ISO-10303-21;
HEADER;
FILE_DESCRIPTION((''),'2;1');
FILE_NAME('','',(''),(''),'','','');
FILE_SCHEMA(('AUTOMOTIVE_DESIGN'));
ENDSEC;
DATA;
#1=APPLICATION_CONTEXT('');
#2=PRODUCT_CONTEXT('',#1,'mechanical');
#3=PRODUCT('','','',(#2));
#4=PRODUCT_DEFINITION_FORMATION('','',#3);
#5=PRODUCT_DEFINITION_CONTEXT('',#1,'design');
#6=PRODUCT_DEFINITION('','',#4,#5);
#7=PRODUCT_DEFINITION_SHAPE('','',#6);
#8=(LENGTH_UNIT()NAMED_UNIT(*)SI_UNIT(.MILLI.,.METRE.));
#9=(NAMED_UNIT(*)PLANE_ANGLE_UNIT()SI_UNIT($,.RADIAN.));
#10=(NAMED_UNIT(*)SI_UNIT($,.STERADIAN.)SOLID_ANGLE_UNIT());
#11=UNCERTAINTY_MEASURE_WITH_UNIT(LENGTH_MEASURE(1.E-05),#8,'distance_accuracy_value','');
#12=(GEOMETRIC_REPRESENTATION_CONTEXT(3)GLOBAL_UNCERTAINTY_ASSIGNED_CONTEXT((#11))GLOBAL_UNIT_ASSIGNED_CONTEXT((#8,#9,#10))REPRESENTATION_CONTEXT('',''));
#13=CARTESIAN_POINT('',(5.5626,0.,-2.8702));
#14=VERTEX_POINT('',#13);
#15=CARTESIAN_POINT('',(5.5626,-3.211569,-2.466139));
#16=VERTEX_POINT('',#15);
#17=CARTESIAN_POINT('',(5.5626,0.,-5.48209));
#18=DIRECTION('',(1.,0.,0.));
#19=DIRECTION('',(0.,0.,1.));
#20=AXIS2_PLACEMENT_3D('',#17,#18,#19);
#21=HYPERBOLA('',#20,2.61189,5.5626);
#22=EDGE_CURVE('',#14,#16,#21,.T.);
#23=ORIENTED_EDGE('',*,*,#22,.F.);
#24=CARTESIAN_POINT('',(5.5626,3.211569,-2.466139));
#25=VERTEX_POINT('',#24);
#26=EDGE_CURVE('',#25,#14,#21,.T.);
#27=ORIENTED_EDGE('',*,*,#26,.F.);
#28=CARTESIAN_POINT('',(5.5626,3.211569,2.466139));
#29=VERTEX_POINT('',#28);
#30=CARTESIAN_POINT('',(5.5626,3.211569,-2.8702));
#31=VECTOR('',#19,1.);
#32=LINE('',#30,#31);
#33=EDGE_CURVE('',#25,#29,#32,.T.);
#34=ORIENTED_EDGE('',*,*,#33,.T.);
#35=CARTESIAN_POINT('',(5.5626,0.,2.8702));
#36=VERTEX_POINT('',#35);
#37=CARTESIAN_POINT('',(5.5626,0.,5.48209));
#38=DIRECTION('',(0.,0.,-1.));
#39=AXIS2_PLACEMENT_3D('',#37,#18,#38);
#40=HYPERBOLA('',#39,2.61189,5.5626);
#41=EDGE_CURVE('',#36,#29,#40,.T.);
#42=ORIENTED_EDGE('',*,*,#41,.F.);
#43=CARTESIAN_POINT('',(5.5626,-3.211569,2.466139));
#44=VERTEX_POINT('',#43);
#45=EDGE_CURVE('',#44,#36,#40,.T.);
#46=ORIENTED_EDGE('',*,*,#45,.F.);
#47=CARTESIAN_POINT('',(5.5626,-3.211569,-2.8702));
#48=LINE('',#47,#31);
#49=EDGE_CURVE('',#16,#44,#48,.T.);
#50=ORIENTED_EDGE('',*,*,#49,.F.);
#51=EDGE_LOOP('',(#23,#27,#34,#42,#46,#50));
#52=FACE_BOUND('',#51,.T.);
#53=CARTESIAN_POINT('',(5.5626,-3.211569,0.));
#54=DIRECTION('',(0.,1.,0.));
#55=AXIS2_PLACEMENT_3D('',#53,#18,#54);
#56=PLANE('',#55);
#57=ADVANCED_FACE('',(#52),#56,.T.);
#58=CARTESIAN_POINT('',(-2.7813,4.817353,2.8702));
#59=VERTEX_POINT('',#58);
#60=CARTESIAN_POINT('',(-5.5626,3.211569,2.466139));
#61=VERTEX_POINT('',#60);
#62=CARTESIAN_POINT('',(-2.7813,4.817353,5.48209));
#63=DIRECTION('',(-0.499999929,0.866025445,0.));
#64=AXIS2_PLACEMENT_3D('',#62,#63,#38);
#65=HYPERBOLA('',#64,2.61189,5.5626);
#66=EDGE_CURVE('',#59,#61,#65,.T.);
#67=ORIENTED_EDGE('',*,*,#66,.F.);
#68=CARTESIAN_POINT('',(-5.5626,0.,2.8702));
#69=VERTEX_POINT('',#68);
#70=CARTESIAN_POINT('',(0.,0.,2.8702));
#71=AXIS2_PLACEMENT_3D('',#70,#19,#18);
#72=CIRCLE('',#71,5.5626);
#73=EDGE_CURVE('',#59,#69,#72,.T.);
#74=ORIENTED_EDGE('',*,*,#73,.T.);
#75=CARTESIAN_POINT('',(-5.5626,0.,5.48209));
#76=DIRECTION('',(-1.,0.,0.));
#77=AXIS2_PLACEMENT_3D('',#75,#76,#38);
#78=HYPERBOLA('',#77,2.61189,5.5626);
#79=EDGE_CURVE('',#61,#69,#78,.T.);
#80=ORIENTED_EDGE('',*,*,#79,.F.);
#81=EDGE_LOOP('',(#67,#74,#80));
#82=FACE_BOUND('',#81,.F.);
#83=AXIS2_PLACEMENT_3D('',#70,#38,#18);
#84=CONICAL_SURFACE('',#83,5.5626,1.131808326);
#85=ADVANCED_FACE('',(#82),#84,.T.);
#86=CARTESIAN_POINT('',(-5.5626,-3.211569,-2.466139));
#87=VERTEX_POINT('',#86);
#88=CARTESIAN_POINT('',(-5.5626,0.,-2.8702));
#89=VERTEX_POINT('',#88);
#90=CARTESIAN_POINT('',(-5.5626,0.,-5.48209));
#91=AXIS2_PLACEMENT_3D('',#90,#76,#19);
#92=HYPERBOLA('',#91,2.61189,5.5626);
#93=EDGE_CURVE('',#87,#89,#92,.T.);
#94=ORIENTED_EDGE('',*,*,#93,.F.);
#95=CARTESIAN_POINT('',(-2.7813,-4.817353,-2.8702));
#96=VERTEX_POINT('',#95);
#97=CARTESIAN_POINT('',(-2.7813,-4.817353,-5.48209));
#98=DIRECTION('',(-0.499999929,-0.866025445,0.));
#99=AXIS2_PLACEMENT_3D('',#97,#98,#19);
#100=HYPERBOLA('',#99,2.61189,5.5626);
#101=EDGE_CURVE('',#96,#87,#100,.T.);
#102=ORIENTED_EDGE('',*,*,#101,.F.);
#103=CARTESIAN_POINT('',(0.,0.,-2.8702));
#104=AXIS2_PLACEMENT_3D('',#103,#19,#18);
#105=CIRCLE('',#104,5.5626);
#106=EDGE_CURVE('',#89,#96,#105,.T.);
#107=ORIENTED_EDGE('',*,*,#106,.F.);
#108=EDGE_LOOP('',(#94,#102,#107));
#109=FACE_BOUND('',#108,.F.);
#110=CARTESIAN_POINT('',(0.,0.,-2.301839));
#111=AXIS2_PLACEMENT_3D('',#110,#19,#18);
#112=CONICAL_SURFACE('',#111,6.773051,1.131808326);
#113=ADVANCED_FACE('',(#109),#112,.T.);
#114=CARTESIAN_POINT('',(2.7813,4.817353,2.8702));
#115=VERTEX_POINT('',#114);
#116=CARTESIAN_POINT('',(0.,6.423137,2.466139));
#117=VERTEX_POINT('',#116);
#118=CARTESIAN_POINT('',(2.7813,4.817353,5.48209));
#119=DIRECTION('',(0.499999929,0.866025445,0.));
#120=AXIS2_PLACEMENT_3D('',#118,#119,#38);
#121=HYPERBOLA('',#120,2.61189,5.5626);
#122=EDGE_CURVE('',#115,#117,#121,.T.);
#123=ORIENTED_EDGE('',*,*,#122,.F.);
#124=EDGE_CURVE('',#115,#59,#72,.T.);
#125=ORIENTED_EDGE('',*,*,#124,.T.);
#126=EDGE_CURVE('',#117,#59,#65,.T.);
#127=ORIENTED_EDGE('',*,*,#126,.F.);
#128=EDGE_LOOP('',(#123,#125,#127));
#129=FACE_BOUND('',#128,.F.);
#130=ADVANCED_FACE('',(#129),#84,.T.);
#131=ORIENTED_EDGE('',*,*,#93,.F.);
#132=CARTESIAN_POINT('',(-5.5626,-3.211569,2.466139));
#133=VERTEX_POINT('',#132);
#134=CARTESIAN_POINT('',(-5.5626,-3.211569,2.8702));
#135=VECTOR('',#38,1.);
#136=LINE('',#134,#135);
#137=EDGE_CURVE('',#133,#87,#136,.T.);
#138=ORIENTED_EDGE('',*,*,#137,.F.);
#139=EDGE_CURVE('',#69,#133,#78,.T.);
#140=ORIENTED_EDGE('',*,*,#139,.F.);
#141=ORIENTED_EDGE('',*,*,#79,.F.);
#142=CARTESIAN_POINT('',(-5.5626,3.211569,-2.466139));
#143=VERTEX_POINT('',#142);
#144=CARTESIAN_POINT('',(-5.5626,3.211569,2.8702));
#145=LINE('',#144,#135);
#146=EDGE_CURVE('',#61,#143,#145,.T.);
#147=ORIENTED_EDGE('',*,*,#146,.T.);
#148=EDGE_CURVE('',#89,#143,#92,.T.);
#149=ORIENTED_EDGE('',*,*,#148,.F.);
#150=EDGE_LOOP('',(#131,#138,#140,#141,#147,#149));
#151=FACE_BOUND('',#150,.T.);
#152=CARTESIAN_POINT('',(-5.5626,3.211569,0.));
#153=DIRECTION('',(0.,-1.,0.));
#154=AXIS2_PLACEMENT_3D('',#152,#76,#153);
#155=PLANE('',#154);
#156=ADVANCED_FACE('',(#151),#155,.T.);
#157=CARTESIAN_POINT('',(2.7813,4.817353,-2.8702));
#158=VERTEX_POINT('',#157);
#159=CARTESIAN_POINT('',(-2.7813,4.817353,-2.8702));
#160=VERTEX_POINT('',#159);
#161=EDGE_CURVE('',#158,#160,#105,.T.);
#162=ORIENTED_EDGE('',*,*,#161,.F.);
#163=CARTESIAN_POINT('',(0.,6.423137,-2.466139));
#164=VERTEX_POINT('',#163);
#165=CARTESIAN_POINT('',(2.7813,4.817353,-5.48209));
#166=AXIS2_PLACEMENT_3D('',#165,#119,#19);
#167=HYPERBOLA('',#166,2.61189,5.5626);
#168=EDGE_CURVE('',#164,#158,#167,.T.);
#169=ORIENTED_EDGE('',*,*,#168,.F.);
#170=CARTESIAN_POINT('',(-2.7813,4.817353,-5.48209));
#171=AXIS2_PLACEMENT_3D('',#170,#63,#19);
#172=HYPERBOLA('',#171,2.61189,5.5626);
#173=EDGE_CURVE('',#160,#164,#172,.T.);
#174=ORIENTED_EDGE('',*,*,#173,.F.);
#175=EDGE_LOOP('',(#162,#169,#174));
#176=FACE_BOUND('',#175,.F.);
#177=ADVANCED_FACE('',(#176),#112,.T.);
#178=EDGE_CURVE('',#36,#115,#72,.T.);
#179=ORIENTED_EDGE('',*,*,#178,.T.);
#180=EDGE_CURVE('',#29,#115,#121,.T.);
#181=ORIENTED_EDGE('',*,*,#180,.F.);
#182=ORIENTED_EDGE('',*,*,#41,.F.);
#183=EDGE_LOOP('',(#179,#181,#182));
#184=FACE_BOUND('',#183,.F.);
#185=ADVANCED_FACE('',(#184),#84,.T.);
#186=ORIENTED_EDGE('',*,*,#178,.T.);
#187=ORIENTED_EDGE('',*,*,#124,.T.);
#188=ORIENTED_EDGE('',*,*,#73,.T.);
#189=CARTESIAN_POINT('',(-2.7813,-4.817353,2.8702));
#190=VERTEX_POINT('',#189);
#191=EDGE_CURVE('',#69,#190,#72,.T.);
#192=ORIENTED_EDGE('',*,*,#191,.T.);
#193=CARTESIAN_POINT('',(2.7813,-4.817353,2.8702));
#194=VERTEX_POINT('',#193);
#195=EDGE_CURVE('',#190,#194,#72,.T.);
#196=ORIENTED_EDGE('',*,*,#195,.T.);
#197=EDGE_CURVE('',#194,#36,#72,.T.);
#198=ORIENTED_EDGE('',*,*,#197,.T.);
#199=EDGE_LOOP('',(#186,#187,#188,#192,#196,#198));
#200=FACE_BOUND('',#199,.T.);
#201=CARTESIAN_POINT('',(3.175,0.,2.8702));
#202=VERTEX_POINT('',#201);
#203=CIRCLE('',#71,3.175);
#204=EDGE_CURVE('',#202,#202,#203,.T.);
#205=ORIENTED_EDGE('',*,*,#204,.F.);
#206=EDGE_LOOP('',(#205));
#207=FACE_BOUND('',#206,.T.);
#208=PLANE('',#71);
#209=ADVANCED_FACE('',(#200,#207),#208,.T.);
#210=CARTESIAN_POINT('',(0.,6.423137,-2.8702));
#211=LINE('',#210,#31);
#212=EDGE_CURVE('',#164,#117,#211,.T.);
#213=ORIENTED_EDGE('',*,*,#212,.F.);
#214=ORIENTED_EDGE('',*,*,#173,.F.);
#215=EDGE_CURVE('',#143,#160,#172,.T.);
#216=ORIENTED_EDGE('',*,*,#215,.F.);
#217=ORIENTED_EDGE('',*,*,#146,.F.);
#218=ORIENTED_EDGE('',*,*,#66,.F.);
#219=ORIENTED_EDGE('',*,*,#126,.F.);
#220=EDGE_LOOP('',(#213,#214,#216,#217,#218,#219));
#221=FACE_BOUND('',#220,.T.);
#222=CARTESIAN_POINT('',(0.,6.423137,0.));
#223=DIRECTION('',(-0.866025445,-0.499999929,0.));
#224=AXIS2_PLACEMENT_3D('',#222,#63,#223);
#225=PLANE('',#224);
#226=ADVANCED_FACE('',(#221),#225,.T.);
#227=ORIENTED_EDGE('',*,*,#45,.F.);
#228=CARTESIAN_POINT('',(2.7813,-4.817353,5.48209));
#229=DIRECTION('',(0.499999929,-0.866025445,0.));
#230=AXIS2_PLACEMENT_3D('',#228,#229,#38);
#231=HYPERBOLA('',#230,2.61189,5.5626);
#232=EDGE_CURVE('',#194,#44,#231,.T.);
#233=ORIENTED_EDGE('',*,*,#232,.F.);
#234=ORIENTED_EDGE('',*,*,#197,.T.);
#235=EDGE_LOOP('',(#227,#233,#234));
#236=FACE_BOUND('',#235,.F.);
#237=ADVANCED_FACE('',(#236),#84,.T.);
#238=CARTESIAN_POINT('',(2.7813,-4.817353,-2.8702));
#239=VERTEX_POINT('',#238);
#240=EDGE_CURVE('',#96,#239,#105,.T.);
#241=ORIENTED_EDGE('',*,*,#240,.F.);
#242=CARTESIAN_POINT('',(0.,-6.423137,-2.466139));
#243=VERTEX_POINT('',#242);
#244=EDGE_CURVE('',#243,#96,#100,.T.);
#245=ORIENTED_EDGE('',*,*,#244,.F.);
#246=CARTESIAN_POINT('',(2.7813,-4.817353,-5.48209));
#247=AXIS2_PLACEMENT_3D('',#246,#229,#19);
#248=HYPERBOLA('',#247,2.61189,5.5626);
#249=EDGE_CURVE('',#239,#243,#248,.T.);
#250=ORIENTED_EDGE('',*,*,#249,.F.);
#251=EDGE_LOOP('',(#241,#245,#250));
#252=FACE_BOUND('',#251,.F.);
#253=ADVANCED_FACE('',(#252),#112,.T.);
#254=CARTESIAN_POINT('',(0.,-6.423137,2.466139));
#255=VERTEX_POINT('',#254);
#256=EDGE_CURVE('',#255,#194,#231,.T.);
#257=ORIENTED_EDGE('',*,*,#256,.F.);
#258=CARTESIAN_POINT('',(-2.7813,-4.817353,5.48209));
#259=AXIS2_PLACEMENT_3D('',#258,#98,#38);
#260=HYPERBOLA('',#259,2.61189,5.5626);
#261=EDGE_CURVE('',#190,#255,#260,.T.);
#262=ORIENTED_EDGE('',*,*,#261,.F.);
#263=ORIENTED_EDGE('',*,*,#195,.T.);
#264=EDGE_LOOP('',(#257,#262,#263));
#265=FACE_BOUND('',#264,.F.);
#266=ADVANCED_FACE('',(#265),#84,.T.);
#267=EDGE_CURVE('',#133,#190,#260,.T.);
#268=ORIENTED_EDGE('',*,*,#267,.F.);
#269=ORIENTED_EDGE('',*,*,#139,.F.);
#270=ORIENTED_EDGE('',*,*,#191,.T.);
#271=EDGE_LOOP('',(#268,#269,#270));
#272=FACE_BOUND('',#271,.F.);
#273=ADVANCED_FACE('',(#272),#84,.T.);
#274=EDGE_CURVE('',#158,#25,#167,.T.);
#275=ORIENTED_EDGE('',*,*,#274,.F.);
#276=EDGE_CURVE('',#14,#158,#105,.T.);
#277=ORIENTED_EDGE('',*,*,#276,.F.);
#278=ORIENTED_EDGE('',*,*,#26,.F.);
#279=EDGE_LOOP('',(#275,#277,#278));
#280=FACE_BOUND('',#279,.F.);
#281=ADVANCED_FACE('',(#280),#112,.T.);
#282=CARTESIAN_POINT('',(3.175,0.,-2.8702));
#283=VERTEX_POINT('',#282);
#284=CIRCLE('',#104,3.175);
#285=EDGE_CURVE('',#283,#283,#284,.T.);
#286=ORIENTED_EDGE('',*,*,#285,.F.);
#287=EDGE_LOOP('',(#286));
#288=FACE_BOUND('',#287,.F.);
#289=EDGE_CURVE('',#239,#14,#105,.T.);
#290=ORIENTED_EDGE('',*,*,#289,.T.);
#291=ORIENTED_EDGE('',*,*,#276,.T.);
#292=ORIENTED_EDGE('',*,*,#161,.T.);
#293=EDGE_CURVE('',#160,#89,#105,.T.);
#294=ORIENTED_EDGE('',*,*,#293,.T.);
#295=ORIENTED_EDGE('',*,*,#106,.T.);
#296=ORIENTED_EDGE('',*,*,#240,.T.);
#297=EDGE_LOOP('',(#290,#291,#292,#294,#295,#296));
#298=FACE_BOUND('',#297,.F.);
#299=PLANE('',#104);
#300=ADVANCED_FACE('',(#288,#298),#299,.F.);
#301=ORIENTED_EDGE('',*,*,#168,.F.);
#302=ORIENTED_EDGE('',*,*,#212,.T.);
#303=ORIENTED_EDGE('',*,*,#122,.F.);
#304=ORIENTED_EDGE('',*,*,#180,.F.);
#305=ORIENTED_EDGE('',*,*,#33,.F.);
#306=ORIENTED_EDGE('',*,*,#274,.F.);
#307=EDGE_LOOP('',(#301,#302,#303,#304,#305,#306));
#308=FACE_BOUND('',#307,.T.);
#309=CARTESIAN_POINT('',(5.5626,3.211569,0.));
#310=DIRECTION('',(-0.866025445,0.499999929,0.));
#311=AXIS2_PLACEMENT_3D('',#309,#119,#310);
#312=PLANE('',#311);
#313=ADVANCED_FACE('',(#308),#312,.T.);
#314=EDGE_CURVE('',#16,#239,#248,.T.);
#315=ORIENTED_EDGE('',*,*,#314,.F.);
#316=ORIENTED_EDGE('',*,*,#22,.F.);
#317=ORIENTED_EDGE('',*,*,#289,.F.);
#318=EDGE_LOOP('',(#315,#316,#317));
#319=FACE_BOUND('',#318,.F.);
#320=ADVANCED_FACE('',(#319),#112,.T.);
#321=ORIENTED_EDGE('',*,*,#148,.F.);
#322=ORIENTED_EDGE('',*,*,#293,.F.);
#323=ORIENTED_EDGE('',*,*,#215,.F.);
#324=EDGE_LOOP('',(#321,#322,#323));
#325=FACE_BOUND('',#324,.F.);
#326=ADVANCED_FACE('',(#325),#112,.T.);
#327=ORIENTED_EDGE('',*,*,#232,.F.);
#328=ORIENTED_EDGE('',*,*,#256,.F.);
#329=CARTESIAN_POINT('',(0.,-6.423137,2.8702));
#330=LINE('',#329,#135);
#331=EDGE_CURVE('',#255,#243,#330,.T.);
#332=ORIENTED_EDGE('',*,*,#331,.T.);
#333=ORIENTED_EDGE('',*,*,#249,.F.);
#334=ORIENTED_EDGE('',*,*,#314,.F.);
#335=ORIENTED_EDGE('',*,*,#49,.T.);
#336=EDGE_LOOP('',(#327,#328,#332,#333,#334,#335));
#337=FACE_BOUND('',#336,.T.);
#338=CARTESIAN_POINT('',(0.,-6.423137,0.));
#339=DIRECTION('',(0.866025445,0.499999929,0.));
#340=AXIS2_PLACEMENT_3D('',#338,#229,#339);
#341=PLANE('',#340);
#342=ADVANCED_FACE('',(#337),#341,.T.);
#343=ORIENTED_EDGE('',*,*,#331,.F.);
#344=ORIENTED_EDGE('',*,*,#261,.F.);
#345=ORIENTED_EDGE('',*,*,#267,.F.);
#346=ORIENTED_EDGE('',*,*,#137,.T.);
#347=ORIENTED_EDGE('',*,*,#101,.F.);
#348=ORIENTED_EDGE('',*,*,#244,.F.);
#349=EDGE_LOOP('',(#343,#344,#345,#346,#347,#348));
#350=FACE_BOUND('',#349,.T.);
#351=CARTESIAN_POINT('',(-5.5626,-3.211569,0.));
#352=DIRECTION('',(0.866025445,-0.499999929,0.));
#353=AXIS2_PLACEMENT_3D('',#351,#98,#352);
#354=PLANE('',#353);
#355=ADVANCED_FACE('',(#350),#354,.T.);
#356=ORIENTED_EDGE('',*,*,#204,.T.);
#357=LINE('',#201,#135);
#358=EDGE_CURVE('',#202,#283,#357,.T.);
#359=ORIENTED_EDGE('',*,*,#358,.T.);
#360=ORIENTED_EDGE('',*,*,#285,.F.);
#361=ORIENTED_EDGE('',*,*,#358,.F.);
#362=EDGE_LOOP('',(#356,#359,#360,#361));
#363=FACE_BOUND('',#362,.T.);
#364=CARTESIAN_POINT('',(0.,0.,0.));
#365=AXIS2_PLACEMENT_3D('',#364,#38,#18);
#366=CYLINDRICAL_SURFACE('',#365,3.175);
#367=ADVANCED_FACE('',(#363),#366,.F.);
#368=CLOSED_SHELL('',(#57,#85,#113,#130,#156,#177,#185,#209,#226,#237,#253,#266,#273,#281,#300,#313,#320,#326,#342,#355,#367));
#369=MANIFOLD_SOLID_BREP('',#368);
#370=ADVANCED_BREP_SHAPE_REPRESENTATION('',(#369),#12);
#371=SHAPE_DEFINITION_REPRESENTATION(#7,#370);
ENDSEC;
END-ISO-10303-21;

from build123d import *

# Parameters (mm, degrees)
F0_R     = 3.175
F1_DEPTH = 2.8702


with BuildPart() as f1:
    # F0 (on Top) → F1 (new body, symmetric)
    with BuildSketch(Plane.XY):
        Polygon((0, -6.423137), (5.5626, -3.211569), (5.5626, 3.211569), (0, 6.423137), (-5.5626, 3.211569), (-5.5626, -3.211569), align=None)
        Circle(F0_R, mode=Mode.SUBTRACT)
    extrude(amount=F1_DEPTH, both=True)

    # F2 (on Front) → F3 (revolve, cut)
    with BuildSketch(Plane.XZ):
        Polygon((6.773051, 2.8702), (5.5626, 2.8702), (6.773051, 2.301839), align=None)
    revolve(axis=Axis((0, 0, 2.8702), (0, 0, 1)), mode=Mode.SUBTRACT)

    # F2 (on Front) → F4 (revolve, cut)
    with BuildSketch(Plane.XZ):
        Polygon((6.773051, -2.8702), (6.773051, -2.301839), (5.5626, -2.8702), align=None)
    revolve(axis=Axis((0, 0, -2.8702), (0, 0, 1)), mode=Mode.SUBTRACT)


solid = f1.part
